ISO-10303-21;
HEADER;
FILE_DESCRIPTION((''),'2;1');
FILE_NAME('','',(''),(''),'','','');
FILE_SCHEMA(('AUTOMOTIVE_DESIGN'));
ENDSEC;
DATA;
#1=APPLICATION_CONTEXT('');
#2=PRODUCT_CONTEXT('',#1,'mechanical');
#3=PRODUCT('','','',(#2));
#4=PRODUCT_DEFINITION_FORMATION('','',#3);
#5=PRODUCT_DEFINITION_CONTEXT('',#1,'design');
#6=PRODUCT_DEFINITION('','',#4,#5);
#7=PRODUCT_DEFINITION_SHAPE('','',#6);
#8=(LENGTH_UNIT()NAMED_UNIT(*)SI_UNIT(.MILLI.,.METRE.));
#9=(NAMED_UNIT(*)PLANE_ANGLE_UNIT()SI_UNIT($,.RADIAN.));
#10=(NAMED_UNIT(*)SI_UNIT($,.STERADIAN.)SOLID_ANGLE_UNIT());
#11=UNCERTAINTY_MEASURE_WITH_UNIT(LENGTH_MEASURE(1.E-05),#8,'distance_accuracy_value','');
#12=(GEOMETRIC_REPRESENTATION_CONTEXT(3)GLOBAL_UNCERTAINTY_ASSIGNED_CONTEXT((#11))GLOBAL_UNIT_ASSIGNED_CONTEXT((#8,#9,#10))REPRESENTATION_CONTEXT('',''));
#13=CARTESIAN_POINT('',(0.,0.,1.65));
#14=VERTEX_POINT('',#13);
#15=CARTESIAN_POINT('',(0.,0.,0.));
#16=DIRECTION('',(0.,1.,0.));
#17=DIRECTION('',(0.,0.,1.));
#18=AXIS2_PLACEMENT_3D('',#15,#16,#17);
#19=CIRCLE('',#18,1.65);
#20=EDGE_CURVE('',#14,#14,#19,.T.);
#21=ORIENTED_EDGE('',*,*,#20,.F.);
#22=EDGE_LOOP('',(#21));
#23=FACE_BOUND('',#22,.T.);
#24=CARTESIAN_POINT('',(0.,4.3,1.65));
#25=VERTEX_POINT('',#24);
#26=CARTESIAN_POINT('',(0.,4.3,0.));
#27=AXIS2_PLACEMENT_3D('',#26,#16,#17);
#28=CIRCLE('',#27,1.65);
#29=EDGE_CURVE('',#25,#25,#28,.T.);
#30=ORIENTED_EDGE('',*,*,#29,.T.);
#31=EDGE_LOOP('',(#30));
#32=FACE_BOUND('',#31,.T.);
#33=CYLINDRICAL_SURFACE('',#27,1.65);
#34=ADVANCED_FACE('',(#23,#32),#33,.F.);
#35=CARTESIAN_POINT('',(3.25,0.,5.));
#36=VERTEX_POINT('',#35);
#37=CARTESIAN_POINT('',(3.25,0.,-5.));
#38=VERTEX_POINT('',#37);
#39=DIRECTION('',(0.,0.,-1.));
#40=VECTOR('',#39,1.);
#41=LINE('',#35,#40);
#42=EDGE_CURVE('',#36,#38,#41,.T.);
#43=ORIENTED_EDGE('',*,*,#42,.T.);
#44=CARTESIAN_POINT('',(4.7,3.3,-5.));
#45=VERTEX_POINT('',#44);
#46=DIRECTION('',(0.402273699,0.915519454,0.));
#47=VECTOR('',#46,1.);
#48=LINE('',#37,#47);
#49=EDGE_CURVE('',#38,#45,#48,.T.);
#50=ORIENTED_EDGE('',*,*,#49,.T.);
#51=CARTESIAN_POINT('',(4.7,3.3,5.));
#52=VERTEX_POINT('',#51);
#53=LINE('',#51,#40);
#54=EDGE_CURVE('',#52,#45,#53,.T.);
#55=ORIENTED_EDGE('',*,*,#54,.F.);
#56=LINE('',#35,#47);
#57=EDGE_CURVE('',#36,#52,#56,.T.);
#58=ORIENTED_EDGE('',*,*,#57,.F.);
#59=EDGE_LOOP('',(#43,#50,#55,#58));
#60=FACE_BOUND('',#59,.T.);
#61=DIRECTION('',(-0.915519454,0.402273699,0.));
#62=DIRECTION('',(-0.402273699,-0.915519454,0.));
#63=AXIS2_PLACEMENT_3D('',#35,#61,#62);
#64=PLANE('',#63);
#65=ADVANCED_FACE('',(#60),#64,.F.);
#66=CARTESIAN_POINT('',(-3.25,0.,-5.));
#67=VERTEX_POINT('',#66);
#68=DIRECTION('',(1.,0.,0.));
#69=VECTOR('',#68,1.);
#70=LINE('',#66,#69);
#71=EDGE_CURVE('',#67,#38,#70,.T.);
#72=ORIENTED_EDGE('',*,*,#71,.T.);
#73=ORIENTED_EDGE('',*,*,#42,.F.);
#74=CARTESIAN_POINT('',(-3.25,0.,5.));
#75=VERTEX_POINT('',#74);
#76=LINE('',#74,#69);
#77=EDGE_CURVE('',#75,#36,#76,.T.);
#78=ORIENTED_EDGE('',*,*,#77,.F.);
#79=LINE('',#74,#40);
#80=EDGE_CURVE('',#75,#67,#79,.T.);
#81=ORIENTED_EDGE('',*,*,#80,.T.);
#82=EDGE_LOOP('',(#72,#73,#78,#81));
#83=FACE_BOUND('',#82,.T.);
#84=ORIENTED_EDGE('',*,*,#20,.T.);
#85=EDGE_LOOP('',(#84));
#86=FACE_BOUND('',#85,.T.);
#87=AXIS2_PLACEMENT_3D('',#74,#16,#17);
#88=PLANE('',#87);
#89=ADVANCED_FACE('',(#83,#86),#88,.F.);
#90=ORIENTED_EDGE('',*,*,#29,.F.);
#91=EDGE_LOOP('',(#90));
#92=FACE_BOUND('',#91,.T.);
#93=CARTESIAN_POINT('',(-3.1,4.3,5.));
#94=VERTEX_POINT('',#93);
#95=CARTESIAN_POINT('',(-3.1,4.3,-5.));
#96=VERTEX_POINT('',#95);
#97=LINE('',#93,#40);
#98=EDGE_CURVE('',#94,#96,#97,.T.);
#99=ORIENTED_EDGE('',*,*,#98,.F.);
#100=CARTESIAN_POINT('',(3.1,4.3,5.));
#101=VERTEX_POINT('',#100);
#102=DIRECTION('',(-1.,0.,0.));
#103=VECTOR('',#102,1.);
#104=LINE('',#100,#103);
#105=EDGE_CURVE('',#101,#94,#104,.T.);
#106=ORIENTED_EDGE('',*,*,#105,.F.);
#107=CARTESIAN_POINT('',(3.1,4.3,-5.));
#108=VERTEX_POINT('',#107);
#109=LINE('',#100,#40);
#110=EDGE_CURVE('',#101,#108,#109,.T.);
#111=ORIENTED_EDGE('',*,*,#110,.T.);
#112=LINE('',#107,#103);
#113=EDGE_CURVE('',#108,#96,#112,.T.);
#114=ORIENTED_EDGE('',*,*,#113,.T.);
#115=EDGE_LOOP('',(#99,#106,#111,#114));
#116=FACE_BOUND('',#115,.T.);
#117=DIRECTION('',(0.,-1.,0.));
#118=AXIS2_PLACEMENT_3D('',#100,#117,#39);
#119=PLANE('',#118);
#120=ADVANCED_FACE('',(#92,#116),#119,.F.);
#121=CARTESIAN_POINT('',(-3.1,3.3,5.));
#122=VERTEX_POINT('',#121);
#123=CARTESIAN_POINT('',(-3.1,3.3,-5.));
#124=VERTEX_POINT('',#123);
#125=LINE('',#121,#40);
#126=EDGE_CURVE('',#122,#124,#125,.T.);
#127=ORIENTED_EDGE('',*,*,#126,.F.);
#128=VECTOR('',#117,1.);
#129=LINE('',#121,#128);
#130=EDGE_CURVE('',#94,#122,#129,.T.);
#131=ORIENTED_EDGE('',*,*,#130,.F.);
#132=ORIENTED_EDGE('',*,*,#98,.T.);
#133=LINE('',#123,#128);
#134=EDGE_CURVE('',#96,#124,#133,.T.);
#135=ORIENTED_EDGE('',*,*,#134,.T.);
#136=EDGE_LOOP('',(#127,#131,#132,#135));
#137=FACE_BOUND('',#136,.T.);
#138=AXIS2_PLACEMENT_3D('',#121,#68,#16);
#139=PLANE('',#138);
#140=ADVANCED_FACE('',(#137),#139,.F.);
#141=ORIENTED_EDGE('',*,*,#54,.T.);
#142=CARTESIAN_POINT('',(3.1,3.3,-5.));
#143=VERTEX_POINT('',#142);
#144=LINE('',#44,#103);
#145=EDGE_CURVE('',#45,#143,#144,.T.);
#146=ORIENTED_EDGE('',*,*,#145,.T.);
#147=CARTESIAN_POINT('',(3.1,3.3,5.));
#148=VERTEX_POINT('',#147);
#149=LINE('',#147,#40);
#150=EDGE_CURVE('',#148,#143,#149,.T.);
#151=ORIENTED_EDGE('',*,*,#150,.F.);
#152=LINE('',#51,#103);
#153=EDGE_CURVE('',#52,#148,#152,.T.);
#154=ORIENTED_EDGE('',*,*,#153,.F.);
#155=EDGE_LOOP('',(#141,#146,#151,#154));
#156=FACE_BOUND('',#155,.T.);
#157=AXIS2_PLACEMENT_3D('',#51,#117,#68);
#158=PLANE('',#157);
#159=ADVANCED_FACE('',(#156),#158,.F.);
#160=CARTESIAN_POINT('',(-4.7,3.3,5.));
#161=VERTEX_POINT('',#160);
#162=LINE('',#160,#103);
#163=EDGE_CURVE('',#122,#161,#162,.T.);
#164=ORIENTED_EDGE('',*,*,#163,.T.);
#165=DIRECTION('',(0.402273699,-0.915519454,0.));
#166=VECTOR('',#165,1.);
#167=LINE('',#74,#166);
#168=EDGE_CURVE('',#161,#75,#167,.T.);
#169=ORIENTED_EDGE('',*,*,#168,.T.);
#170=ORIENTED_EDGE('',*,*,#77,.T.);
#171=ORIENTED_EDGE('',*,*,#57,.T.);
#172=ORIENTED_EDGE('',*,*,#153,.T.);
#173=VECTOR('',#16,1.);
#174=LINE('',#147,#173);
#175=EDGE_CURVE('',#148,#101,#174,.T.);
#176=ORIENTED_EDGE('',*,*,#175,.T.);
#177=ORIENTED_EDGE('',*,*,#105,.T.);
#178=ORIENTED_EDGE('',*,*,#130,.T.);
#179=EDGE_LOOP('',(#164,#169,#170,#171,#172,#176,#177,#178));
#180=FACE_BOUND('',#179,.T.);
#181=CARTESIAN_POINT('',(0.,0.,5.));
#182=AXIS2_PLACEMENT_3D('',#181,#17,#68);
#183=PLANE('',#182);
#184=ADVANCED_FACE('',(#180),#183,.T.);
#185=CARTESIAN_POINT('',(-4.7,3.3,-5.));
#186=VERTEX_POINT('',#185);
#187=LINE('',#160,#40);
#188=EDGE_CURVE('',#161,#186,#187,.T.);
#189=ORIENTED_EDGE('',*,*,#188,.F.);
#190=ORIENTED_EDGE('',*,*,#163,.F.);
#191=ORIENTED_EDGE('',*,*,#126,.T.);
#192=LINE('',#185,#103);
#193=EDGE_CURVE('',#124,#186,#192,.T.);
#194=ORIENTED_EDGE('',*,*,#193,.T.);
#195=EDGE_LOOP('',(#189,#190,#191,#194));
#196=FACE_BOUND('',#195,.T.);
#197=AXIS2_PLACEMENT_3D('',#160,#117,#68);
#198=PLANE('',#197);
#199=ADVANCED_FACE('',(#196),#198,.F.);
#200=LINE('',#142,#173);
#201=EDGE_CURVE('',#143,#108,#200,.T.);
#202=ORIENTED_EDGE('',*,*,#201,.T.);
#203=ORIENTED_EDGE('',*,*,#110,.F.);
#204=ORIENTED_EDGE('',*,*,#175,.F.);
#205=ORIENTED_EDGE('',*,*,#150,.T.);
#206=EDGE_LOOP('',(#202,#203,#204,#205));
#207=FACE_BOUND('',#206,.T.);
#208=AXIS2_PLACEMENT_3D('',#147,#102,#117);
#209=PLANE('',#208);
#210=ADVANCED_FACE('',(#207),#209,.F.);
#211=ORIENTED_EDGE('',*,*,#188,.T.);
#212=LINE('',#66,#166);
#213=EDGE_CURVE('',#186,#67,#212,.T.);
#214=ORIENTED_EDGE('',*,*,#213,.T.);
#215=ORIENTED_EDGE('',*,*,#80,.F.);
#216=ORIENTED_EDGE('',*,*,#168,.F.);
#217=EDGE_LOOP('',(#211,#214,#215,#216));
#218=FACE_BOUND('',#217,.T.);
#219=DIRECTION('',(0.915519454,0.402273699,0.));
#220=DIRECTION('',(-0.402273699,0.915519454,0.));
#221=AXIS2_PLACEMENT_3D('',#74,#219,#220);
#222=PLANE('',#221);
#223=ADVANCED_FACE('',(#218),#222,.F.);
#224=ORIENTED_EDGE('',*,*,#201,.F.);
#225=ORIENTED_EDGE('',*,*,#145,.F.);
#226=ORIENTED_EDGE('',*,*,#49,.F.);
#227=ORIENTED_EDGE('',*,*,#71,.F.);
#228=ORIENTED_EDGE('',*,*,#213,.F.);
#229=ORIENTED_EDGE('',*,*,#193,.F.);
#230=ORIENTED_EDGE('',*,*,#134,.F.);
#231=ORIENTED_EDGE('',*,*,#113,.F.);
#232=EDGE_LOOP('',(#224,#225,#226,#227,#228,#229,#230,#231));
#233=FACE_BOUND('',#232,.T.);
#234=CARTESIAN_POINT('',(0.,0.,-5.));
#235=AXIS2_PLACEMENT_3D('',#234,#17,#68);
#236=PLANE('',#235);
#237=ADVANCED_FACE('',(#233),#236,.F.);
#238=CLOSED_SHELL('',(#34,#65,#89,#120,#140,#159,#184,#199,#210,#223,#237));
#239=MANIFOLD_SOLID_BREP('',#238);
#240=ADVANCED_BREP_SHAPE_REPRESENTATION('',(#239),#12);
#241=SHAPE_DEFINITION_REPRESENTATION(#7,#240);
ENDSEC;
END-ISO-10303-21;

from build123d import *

# Parameters (mm, degrees)
BOSS_EXTRUDE1_DEPTH       = 5
M4X0_7_TAPPED_HOLE2_D     = 3.3
M4X0_7_TAPPED_HOLE2_DEPTH = 11.5
M4X0_7_TAPPED_HOLE2_TIP   = 0.991420021


with BuildPart() as part:
    # Sketch1 → Boss-Extrude1 (new, symmetric)
    with BuildSketch(Plane.XY):
        Polygon((-3.25, 0), (3.25, 0), (4.7, 3.3), (3.1, 3.3), (3.1, 4.3), (-3.1, 4.3), (-3.1, 3.3), (-4.7, 3.3), align=None)
    extrude(amount=BOSS_EXTRUDE1_DEPTH, both=True)

    # M4x0.7 Tapped Hole2
    with Locations(Plane(origin=(0, 4.3, 0), x_dir=(1, 0, 0), z_dir=(0, 1, 0))):
        with Locations((0, 0)):
            Hole(M4X0_7_TAPPED_HOLE2_D / 2, depth=M4X0_7_TAPPED_HOLE2_DEPTH)
            with Locations((0, 0, -(M4X0_7_TAPPED_HOLE2_DEPTH + M4X0_7_TAPPED_HOLE2_TIP / 2))):  # 118° drill point
                Cone(0, M4X0_7_TAPPED_HOLE2_D / 2, M4X0_7_TAPPED_HOLE2_TIP, mode=Mode.SUBTRACT)


solid = part.part
